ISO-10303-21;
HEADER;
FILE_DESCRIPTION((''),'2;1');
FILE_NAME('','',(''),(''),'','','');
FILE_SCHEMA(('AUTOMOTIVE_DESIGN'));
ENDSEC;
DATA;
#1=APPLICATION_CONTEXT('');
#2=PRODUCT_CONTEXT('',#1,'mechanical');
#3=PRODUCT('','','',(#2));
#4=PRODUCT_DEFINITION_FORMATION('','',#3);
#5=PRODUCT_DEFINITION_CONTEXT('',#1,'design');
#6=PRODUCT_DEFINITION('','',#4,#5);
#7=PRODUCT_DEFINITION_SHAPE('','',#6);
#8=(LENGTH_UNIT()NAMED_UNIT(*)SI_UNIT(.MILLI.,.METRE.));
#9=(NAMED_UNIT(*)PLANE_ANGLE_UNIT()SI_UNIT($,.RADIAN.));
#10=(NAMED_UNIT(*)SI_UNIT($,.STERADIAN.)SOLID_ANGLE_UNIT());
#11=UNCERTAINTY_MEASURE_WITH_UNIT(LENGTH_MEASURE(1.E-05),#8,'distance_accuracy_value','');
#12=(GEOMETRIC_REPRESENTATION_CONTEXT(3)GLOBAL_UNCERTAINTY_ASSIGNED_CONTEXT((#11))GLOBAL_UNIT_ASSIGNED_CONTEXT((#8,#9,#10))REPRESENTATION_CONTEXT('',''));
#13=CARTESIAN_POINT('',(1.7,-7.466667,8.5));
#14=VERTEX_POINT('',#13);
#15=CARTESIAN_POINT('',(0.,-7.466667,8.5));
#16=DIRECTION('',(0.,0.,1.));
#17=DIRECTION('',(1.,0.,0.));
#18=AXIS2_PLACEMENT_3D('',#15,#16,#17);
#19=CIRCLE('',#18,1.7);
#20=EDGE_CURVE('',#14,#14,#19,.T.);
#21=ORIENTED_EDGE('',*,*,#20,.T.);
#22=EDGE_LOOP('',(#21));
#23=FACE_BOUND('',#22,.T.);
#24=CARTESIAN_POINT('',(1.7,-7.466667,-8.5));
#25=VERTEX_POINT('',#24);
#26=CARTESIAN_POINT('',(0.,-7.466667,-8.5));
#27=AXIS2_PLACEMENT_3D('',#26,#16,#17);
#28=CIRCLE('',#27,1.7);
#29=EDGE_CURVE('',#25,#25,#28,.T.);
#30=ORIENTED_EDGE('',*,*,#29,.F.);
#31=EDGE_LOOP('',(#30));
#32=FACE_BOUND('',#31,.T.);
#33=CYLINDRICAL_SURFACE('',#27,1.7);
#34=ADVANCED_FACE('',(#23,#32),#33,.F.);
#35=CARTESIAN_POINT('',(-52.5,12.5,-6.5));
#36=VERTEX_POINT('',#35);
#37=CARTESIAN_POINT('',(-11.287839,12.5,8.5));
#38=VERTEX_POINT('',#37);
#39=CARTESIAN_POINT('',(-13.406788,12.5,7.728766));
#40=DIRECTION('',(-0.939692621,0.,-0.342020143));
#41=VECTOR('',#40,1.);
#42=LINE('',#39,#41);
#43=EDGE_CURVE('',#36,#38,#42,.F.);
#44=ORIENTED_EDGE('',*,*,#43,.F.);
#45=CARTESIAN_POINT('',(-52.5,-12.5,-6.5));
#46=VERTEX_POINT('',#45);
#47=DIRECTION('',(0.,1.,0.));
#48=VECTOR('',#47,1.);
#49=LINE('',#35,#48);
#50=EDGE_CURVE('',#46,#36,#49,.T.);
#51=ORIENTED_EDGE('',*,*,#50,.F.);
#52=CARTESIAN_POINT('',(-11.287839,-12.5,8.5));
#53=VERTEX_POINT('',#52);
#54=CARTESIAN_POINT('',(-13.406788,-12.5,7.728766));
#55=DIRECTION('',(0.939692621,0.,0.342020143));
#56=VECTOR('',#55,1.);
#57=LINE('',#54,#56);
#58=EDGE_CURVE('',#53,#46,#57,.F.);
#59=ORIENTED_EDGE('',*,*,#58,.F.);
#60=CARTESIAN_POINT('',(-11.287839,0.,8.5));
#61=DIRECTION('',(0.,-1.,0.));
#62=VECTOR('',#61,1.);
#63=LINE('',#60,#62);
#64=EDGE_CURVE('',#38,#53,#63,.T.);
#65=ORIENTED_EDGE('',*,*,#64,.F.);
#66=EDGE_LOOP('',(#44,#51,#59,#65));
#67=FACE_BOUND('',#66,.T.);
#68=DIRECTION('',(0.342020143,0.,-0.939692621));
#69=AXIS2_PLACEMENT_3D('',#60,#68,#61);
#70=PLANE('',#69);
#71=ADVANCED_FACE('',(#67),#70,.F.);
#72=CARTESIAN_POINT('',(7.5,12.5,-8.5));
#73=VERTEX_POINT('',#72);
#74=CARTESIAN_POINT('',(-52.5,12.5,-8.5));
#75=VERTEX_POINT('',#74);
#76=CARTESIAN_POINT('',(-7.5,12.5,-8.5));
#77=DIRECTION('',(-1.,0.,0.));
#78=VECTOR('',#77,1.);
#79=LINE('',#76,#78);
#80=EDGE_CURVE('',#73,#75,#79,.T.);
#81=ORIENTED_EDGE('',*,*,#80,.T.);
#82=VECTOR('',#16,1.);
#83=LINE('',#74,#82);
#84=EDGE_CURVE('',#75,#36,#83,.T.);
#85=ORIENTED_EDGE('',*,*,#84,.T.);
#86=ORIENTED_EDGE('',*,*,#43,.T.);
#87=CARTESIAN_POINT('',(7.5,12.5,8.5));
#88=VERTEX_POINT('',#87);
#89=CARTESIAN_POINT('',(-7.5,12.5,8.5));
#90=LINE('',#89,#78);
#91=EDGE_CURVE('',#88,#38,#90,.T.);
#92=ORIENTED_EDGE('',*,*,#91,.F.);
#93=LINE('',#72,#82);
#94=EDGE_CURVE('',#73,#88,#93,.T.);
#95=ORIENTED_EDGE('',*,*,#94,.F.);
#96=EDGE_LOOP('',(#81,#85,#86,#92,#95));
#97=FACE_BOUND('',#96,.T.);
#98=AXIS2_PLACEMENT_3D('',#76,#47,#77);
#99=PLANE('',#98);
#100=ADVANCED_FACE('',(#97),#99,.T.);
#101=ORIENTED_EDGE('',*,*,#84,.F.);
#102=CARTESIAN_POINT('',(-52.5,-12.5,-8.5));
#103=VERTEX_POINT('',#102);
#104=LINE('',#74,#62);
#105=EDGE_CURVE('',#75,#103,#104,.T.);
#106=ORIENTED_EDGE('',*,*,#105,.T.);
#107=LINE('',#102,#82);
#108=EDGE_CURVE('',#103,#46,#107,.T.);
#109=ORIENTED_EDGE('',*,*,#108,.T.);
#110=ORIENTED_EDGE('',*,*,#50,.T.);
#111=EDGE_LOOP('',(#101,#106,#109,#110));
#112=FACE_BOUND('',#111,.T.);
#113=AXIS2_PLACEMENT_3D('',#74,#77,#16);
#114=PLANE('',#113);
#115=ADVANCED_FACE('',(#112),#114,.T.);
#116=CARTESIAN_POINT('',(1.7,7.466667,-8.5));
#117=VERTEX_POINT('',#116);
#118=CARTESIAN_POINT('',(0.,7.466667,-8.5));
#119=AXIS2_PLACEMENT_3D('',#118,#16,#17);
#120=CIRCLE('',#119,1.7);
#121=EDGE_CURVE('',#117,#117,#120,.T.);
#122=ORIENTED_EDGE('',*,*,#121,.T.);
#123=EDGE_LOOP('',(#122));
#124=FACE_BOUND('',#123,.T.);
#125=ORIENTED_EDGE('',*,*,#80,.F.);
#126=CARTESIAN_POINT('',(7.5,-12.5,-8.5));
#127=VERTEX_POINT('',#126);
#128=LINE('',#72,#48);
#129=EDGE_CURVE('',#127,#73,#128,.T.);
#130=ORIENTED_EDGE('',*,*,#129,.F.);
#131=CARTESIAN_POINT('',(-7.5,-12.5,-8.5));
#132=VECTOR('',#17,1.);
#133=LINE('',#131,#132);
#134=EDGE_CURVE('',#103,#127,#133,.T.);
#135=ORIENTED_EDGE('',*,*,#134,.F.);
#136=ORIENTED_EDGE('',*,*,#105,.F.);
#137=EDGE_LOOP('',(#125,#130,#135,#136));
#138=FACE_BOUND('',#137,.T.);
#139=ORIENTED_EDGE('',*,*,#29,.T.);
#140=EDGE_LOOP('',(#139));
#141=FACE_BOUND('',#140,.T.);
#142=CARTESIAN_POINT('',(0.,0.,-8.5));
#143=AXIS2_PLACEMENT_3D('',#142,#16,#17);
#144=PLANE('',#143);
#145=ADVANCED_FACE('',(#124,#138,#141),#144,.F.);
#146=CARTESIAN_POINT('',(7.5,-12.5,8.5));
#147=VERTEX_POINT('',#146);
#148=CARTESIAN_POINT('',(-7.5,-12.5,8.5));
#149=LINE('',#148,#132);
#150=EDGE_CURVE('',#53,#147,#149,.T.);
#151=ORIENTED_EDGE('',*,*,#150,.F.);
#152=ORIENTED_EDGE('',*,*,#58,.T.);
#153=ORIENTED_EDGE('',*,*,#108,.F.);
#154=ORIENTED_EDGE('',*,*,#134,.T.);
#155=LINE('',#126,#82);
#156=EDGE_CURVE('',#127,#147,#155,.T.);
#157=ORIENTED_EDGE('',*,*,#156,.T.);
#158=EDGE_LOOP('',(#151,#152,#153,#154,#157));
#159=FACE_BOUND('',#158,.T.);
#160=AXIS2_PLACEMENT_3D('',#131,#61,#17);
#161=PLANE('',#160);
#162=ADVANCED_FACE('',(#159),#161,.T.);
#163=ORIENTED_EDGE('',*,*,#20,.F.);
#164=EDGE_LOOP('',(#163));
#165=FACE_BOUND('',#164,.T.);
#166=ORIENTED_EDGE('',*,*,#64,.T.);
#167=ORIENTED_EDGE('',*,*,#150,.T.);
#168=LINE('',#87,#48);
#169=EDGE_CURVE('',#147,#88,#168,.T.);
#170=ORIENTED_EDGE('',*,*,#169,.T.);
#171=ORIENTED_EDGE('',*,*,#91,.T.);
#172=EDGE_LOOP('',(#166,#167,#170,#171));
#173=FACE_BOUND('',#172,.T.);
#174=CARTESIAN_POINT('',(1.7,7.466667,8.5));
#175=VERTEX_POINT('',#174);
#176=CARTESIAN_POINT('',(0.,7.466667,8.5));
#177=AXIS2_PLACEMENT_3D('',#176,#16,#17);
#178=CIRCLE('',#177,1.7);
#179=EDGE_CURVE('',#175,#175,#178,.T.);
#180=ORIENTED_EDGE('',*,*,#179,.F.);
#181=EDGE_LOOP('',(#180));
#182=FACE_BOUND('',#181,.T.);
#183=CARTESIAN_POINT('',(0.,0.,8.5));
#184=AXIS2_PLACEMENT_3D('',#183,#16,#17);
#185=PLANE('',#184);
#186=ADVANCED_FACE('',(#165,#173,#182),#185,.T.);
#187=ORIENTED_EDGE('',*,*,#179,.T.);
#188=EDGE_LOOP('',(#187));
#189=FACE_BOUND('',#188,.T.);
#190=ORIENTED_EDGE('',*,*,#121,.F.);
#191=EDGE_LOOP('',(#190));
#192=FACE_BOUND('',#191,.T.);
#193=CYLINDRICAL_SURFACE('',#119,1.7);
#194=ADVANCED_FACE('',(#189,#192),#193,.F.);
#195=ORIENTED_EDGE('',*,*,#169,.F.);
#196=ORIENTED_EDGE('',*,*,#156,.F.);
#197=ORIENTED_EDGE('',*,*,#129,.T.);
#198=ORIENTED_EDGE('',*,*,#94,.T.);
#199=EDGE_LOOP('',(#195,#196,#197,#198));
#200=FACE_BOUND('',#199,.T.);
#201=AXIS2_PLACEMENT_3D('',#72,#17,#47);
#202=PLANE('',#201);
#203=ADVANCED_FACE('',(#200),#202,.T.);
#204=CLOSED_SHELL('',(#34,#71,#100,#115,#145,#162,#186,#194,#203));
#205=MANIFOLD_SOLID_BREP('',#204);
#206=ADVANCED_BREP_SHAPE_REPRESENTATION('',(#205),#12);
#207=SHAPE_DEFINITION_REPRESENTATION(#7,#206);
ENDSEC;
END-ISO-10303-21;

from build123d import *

# Parameters (mm, degrees)
BOSS_EXTRUDE1_DEPTH      = 8.5
BOSS_EXTRUDE1_DEPTH_BACK = 8.5
SKETCH2_R                = 1.7
CHAMFER1_SIZE            = 15
CHAMFER1_SIZE2           = 41.212161292


with BuildPart() as part:
    # Sketch2 → Boss-Extrude1 (new, two sides: drawn at the far end of the back side and taken through both)
    with BuildSketch(Plane.XY.offset(-BOSS_EXTRUDE1_DEPTH_BACK)):
        Polygon((-7.5, 12.5), (7.5, 12.5), (7.5, -12.5), (-7.5, -12.5), (-52.5, -12.5), (-52.5, 12.5), align=None)
        with Locations((0, 7.466666667)):
            Circle(SKETCH2_R, mode=Mode.SUBTRACT)
        with Locations((0, -7.466666667)):
            Circle(SKETCH2_R, mode=Mode.SUBTRACT)
    extrude(amount=BOSS_EXTRUDE1_DEPTH + BOSS_EXTRUDE1_DEPTH_BACK)

    # Chamfer1
    chamfer1_edges = [part.edges().sort_by_distance(p)[0] for p in [
        (-52.5, 0, 8.5),
    ]]
    chamfer1_side = [part.faces().sort_by_distance(p)[0] for p in [
        (-52.5, 0, 0),
    ]]
    chamfer(chamfer1_edges, length=CHAMFER1_SIZE, length2=CHAMFER1_SIZE2, reference=chamfer1_side[0])


solid = part.part
